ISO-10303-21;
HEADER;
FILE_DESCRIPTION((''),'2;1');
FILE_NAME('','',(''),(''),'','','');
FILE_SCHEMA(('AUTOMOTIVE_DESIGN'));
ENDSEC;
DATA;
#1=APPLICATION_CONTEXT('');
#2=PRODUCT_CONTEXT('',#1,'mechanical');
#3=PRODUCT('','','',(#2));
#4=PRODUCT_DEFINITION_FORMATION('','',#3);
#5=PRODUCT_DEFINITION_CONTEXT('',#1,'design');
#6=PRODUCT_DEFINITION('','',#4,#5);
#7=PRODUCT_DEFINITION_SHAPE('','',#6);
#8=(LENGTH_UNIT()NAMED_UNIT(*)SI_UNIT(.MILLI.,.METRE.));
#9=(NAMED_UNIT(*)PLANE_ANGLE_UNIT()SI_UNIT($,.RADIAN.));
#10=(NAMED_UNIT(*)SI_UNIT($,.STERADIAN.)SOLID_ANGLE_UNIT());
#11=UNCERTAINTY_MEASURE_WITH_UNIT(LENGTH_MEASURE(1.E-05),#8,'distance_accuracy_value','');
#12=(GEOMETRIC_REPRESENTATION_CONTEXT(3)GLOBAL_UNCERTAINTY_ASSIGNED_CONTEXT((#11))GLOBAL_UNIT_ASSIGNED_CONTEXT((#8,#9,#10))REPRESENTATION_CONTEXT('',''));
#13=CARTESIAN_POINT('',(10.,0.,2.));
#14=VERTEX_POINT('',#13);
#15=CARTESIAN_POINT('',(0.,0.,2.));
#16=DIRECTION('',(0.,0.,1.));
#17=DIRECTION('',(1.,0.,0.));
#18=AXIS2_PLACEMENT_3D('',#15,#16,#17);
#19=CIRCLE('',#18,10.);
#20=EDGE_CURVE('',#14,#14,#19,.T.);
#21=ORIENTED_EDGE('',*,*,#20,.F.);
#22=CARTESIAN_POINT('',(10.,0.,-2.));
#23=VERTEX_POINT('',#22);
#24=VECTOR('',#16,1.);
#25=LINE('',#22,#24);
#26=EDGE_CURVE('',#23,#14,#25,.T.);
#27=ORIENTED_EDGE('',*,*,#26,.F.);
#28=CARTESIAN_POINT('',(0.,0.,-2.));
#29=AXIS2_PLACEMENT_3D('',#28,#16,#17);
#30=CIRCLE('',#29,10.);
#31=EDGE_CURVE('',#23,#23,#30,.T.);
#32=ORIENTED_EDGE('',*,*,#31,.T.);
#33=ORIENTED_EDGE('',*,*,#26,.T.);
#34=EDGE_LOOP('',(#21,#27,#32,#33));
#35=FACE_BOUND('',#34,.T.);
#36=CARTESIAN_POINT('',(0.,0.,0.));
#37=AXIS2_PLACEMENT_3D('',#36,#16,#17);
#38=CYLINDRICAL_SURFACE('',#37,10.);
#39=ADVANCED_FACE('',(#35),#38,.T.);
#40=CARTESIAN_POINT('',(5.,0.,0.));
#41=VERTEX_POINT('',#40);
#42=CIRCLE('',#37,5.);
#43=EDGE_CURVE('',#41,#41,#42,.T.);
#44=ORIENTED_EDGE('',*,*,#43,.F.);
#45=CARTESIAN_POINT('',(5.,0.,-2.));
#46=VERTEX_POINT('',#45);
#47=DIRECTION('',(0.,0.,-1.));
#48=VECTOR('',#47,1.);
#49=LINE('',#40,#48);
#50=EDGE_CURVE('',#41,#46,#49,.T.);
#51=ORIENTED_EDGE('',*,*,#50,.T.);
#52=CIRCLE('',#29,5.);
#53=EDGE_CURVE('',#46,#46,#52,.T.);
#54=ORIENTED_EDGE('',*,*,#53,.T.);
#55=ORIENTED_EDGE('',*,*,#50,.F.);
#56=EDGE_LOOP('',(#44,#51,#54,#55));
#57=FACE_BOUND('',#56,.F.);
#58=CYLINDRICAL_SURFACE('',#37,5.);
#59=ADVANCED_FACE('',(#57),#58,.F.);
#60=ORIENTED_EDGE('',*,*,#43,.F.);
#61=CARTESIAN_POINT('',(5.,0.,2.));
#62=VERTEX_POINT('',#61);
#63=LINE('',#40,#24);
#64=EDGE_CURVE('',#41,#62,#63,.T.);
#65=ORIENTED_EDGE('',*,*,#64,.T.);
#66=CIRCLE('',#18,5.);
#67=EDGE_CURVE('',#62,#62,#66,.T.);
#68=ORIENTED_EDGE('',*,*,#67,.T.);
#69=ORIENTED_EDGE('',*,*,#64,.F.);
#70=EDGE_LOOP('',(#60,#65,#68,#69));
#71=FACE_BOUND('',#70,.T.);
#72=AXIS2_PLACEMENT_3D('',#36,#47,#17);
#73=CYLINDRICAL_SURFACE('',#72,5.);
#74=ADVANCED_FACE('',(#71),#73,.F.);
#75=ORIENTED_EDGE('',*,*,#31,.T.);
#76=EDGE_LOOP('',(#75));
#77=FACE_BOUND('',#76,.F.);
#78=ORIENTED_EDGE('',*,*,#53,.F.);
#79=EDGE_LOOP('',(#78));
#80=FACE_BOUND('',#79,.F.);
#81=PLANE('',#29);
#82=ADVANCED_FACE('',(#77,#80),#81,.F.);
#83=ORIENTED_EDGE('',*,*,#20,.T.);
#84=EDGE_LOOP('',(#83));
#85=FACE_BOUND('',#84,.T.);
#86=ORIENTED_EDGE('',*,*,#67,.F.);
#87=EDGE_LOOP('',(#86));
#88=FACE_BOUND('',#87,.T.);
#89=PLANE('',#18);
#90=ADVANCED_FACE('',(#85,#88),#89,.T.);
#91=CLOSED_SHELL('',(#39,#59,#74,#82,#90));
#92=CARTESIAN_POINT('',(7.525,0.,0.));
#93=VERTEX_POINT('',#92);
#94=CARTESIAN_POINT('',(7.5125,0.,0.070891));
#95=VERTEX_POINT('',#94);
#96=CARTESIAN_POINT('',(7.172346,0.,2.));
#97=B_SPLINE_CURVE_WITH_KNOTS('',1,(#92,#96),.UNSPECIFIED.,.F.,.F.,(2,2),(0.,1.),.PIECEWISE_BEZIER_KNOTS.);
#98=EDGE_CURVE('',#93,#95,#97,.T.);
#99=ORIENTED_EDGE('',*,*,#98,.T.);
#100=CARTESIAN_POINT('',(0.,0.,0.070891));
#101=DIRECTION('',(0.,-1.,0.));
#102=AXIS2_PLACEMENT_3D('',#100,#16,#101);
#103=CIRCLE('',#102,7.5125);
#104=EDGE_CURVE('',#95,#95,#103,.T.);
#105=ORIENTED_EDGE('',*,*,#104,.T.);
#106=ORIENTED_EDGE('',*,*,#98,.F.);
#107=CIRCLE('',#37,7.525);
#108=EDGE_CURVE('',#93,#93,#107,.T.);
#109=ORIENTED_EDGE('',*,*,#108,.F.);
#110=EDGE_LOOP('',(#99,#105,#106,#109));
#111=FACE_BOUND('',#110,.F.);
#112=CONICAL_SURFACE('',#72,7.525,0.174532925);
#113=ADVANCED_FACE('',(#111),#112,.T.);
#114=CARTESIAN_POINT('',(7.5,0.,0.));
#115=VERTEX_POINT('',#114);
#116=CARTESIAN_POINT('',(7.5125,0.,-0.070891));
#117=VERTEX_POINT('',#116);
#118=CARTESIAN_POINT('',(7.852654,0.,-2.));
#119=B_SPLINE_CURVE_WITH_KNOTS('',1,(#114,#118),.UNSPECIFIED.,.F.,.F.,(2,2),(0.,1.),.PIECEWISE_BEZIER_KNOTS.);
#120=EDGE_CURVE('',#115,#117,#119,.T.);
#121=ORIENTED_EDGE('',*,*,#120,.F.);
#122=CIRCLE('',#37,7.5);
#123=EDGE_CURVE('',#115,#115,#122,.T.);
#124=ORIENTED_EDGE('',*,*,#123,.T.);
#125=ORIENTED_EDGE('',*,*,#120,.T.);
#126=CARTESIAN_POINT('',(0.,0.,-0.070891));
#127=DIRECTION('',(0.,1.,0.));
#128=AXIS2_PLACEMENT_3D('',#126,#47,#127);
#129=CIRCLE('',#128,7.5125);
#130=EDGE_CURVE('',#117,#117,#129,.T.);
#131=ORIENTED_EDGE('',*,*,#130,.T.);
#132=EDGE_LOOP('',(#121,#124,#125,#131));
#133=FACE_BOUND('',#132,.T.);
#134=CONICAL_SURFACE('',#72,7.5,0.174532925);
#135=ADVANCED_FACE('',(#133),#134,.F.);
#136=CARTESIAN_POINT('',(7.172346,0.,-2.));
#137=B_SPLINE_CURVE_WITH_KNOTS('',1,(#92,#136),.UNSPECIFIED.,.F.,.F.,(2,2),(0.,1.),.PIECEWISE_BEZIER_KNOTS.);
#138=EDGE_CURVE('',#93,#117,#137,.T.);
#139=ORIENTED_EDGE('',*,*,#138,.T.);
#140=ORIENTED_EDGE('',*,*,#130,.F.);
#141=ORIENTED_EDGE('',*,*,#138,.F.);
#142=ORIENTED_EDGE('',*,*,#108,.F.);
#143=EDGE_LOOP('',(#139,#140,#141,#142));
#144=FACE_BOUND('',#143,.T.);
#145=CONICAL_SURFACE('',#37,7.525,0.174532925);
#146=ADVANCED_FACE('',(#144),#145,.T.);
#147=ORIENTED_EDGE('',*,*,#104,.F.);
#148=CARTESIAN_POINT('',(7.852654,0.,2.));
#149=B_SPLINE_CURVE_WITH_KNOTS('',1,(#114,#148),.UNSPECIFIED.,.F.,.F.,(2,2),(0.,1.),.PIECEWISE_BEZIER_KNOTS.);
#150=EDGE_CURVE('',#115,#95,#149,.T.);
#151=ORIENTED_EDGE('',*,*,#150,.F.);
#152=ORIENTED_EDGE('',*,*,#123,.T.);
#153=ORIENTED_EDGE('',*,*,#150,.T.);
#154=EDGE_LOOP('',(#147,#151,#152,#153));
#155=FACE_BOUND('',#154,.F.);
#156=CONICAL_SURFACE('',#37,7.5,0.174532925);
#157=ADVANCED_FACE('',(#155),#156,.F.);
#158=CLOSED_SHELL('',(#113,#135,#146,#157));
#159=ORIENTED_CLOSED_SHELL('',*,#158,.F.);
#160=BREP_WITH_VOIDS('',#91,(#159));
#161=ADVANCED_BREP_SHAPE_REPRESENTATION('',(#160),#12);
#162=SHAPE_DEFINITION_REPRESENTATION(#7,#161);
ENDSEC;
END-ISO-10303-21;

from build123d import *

# Parameters (mm, degrees)
F0_R          = 10
F0_R_2        = 7.525
F1_DEPTH      = 2
F1_TAPER      = -10
F1_DEPTH_BACK = 2
F1_TAPER_BACK = -10
F0_R_3        = 7.5
F0_R_4        = 5
F2_DEPTH      = 2
F2_TAPER      = -10
F2_DEPTH_BACK = 2
F2_TAPER_BACK = -10
F3_R          = 12.6754374972
F3_R_2        = 10
F4_DEPTH      = 2
F4_DEPTH_BACK = 2
F5_R          = 5
F5_R_2        = 1.8774489935
F6_DEPTH      = 2
F6_DEPTH_BACK = 2


with BuildPart() as f1:
    # F0 (on Top) → F1 (new body, two sides)
    with BuildSketch(Plane.XY) as f1_sk:
        Circle(F0_R)
        Circle(F0_R_2, mode=Mode.SUBTRACT)
    extrude(amount=F1_DEPTH, taper=F1_TAPER)
    extrude(f1_sk.sketch, amount=-F1_DEPTH_BACK, taper=F1_TAPER_BACK)

    # F0 (on Top) → F2 (join, two sides)
    with BuildSketch(Plane.XY) as f2_sk:
        Circle(F0_R_3)
        Circle(F0_R_4, mode=Mode.SUBTRACT)
    extrude(amount=F2_DEPTH, taper=F2_TAPER)
    extrude(f2_sk.sketch, amount=-F2_DEPTH_BACK, taper=F2_TAPER_BACK)

    # F3 (on Top) → F4 (cut, two sides)
    with BuildSketch(Plane.XY) as f4_sk:
        Circle(F3_R)
        Circle(F3_R_2, mode=Mode.SUBTRACT)
    extrude(amount=-F4_DEPTH, mode=Mode.SUBTRACT)
    extrude(f4_sk.sketch, amount=F4_DEPTH_BACK, mode=Mode.SUBTRACT)

    # F5 (on Top) → F6 (cut, two sides)
    with BuildSketch(Plane.XY) as f6_sk:
        Circle(F5_R)
        Circle(F5_R_2, mode=Mode.SUBTRACT)
    extrude(amount=-F6_DEPTH, mode=Mode.SUBTRACT)
    extrude(f6_sk.sketch, amount=F6_DEPTH_BACK, mode=Mode.SUBTRACT)


solid = f1.part
